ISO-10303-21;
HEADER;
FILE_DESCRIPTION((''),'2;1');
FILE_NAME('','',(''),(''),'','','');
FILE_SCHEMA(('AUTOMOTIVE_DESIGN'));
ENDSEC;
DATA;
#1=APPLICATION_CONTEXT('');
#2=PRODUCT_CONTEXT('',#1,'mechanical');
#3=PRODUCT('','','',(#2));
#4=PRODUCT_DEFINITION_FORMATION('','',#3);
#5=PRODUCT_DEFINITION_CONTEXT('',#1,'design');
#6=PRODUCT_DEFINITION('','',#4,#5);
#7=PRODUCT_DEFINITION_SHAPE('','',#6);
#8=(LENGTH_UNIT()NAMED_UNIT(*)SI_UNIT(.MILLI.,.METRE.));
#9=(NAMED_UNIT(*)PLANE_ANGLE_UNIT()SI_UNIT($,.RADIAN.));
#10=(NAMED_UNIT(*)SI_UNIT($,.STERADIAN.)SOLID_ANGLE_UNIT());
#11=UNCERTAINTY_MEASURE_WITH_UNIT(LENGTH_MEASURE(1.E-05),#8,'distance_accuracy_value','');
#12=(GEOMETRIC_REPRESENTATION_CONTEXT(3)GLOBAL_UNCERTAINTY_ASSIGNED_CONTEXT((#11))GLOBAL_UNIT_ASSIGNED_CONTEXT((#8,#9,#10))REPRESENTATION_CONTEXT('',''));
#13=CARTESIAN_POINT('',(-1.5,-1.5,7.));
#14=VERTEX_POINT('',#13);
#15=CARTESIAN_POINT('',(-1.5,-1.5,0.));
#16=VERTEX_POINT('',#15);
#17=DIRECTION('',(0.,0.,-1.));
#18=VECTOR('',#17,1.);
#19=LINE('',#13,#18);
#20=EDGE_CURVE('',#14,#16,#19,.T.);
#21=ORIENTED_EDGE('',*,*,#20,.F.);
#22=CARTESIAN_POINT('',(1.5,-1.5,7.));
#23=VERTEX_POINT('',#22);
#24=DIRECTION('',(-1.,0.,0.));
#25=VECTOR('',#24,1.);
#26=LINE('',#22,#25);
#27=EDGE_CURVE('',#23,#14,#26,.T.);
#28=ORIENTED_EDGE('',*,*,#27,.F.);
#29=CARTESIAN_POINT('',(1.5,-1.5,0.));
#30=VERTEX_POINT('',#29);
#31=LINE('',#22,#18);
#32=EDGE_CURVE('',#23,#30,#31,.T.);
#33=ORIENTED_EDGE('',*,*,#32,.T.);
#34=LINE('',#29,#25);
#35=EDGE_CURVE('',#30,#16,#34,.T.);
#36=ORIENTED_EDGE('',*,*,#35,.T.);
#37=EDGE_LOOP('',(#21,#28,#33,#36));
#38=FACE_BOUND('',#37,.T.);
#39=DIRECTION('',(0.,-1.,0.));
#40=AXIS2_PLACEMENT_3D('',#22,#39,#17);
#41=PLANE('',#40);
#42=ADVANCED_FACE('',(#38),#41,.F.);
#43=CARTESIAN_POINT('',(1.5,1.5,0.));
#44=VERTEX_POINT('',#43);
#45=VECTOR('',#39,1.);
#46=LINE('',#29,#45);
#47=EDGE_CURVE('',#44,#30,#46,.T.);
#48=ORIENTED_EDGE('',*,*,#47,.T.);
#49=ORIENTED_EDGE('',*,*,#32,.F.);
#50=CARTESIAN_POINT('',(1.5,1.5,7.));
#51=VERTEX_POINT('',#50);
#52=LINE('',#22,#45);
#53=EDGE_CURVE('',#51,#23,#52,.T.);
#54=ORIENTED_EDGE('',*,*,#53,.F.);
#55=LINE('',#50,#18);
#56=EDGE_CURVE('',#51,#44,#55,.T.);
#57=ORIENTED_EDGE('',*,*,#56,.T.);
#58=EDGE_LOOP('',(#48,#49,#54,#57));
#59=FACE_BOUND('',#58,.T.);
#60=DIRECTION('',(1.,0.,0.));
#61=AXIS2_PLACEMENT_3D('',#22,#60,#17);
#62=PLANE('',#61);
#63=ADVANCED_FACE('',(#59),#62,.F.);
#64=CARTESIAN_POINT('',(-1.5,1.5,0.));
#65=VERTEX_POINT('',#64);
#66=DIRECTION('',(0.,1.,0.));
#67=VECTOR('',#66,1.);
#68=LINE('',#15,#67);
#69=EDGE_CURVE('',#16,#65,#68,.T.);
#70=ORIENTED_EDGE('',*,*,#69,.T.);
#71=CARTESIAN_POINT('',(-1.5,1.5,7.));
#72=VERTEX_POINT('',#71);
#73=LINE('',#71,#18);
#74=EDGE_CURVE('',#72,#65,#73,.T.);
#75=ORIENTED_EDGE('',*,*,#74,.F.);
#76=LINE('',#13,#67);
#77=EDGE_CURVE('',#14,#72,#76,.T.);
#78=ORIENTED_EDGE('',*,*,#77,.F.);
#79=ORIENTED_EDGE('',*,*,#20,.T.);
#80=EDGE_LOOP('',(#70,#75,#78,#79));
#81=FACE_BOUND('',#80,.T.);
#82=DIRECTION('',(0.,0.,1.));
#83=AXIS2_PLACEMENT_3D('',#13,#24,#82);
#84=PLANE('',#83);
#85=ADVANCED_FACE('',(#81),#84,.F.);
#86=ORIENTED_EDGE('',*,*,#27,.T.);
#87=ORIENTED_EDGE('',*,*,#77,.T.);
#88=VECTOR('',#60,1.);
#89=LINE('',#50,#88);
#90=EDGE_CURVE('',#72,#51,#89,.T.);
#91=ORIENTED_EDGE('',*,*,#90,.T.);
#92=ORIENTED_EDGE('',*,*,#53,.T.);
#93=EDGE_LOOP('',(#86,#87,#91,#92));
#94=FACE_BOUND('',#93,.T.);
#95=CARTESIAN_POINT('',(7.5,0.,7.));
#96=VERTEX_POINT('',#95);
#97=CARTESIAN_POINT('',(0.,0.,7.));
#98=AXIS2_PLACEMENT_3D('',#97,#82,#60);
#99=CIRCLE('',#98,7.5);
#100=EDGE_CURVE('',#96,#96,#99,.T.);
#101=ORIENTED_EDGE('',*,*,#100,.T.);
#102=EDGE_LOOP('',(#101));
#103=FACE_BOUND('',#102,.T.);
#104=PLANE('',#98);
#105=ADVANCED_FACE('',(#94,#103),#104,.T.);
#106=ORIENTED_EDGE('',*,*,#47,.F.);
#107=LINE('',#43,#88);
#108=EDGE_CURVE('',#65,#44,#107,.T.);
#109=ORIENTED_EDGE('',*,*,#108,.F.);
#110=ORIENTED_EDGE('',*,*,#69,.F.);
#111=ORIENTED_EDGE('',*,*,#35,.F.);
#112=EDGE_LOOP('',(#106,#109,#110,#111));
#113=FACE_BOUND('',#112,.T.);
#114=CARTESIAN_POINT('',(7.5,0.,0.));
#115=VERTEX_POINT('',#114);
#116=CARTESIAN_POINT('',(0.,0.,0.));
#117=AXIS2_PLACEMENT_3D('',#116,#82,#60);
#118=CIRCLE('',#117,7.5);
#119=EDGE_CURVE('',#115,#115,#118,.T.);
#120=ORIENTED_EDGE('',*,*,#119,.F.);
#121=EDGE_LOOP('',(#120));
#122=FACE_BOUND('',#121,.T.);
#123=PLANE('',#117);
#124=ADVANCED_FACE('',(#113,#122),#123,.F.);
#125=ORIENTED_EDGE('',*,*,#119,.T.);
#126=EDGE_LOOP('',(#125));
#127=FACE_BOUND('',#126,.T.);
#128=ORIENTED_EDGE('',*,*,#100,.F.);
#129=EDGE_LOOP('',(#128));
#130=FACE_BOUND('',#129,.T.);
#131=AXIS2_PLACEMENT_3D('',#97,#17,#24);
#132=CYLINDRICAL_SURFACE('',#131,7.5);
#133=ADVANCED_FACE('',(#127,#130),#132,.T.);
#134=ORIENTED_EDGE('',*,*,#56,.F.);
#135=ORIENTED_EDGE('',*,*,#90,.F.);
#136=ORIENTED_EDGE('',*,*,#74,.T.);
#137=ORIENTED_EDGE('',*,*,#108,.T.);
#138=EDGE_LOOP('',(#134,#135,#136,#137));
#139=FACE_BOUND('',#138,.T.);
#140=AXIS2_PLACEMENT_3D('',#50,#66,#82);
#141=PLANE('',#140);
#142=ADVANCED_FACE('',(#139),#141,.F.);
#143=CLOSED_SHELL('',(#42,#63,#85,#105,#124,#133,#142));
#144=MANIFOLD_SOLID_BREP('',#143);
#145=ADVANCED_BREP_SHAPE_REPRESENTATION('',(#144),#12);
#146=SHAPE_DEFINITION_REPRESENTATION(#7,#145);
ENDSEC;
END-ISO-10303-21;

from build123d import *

# Parameters (mm, degrees)
SKETCH1_R           = 7.5
BOSS_EXTRUDE1_DEPTH = 7
SKETCH2_W           = 3
SKETCH2_H           = 3
CUT_EXTRUDE1_DEPTH  = 13.708265027


with BuildPart() as part:
    # Sketch1 → Boss-Extrude1 (new body)
    with BuildSketch(Plane.XY):
        Circle(SKETCH1_R)
    extrude(amount=BOSS_EXTRUDE1_DEPTH)

    # Sketch2 → Cut-Extrude1 (cut, through all)
    with BuildSketch(Plane(origin=(0, 0, 0), x_dir=(-1, 0, 0), z_dir=(0, 0, -1))):
        Rectangle(SKETCH2_W, SKETCH2_H)
    extrude(amount=-CUT_EXTRUDE1_DEPTH, mode=Mode.SUBTRACT)


solid = part.part
